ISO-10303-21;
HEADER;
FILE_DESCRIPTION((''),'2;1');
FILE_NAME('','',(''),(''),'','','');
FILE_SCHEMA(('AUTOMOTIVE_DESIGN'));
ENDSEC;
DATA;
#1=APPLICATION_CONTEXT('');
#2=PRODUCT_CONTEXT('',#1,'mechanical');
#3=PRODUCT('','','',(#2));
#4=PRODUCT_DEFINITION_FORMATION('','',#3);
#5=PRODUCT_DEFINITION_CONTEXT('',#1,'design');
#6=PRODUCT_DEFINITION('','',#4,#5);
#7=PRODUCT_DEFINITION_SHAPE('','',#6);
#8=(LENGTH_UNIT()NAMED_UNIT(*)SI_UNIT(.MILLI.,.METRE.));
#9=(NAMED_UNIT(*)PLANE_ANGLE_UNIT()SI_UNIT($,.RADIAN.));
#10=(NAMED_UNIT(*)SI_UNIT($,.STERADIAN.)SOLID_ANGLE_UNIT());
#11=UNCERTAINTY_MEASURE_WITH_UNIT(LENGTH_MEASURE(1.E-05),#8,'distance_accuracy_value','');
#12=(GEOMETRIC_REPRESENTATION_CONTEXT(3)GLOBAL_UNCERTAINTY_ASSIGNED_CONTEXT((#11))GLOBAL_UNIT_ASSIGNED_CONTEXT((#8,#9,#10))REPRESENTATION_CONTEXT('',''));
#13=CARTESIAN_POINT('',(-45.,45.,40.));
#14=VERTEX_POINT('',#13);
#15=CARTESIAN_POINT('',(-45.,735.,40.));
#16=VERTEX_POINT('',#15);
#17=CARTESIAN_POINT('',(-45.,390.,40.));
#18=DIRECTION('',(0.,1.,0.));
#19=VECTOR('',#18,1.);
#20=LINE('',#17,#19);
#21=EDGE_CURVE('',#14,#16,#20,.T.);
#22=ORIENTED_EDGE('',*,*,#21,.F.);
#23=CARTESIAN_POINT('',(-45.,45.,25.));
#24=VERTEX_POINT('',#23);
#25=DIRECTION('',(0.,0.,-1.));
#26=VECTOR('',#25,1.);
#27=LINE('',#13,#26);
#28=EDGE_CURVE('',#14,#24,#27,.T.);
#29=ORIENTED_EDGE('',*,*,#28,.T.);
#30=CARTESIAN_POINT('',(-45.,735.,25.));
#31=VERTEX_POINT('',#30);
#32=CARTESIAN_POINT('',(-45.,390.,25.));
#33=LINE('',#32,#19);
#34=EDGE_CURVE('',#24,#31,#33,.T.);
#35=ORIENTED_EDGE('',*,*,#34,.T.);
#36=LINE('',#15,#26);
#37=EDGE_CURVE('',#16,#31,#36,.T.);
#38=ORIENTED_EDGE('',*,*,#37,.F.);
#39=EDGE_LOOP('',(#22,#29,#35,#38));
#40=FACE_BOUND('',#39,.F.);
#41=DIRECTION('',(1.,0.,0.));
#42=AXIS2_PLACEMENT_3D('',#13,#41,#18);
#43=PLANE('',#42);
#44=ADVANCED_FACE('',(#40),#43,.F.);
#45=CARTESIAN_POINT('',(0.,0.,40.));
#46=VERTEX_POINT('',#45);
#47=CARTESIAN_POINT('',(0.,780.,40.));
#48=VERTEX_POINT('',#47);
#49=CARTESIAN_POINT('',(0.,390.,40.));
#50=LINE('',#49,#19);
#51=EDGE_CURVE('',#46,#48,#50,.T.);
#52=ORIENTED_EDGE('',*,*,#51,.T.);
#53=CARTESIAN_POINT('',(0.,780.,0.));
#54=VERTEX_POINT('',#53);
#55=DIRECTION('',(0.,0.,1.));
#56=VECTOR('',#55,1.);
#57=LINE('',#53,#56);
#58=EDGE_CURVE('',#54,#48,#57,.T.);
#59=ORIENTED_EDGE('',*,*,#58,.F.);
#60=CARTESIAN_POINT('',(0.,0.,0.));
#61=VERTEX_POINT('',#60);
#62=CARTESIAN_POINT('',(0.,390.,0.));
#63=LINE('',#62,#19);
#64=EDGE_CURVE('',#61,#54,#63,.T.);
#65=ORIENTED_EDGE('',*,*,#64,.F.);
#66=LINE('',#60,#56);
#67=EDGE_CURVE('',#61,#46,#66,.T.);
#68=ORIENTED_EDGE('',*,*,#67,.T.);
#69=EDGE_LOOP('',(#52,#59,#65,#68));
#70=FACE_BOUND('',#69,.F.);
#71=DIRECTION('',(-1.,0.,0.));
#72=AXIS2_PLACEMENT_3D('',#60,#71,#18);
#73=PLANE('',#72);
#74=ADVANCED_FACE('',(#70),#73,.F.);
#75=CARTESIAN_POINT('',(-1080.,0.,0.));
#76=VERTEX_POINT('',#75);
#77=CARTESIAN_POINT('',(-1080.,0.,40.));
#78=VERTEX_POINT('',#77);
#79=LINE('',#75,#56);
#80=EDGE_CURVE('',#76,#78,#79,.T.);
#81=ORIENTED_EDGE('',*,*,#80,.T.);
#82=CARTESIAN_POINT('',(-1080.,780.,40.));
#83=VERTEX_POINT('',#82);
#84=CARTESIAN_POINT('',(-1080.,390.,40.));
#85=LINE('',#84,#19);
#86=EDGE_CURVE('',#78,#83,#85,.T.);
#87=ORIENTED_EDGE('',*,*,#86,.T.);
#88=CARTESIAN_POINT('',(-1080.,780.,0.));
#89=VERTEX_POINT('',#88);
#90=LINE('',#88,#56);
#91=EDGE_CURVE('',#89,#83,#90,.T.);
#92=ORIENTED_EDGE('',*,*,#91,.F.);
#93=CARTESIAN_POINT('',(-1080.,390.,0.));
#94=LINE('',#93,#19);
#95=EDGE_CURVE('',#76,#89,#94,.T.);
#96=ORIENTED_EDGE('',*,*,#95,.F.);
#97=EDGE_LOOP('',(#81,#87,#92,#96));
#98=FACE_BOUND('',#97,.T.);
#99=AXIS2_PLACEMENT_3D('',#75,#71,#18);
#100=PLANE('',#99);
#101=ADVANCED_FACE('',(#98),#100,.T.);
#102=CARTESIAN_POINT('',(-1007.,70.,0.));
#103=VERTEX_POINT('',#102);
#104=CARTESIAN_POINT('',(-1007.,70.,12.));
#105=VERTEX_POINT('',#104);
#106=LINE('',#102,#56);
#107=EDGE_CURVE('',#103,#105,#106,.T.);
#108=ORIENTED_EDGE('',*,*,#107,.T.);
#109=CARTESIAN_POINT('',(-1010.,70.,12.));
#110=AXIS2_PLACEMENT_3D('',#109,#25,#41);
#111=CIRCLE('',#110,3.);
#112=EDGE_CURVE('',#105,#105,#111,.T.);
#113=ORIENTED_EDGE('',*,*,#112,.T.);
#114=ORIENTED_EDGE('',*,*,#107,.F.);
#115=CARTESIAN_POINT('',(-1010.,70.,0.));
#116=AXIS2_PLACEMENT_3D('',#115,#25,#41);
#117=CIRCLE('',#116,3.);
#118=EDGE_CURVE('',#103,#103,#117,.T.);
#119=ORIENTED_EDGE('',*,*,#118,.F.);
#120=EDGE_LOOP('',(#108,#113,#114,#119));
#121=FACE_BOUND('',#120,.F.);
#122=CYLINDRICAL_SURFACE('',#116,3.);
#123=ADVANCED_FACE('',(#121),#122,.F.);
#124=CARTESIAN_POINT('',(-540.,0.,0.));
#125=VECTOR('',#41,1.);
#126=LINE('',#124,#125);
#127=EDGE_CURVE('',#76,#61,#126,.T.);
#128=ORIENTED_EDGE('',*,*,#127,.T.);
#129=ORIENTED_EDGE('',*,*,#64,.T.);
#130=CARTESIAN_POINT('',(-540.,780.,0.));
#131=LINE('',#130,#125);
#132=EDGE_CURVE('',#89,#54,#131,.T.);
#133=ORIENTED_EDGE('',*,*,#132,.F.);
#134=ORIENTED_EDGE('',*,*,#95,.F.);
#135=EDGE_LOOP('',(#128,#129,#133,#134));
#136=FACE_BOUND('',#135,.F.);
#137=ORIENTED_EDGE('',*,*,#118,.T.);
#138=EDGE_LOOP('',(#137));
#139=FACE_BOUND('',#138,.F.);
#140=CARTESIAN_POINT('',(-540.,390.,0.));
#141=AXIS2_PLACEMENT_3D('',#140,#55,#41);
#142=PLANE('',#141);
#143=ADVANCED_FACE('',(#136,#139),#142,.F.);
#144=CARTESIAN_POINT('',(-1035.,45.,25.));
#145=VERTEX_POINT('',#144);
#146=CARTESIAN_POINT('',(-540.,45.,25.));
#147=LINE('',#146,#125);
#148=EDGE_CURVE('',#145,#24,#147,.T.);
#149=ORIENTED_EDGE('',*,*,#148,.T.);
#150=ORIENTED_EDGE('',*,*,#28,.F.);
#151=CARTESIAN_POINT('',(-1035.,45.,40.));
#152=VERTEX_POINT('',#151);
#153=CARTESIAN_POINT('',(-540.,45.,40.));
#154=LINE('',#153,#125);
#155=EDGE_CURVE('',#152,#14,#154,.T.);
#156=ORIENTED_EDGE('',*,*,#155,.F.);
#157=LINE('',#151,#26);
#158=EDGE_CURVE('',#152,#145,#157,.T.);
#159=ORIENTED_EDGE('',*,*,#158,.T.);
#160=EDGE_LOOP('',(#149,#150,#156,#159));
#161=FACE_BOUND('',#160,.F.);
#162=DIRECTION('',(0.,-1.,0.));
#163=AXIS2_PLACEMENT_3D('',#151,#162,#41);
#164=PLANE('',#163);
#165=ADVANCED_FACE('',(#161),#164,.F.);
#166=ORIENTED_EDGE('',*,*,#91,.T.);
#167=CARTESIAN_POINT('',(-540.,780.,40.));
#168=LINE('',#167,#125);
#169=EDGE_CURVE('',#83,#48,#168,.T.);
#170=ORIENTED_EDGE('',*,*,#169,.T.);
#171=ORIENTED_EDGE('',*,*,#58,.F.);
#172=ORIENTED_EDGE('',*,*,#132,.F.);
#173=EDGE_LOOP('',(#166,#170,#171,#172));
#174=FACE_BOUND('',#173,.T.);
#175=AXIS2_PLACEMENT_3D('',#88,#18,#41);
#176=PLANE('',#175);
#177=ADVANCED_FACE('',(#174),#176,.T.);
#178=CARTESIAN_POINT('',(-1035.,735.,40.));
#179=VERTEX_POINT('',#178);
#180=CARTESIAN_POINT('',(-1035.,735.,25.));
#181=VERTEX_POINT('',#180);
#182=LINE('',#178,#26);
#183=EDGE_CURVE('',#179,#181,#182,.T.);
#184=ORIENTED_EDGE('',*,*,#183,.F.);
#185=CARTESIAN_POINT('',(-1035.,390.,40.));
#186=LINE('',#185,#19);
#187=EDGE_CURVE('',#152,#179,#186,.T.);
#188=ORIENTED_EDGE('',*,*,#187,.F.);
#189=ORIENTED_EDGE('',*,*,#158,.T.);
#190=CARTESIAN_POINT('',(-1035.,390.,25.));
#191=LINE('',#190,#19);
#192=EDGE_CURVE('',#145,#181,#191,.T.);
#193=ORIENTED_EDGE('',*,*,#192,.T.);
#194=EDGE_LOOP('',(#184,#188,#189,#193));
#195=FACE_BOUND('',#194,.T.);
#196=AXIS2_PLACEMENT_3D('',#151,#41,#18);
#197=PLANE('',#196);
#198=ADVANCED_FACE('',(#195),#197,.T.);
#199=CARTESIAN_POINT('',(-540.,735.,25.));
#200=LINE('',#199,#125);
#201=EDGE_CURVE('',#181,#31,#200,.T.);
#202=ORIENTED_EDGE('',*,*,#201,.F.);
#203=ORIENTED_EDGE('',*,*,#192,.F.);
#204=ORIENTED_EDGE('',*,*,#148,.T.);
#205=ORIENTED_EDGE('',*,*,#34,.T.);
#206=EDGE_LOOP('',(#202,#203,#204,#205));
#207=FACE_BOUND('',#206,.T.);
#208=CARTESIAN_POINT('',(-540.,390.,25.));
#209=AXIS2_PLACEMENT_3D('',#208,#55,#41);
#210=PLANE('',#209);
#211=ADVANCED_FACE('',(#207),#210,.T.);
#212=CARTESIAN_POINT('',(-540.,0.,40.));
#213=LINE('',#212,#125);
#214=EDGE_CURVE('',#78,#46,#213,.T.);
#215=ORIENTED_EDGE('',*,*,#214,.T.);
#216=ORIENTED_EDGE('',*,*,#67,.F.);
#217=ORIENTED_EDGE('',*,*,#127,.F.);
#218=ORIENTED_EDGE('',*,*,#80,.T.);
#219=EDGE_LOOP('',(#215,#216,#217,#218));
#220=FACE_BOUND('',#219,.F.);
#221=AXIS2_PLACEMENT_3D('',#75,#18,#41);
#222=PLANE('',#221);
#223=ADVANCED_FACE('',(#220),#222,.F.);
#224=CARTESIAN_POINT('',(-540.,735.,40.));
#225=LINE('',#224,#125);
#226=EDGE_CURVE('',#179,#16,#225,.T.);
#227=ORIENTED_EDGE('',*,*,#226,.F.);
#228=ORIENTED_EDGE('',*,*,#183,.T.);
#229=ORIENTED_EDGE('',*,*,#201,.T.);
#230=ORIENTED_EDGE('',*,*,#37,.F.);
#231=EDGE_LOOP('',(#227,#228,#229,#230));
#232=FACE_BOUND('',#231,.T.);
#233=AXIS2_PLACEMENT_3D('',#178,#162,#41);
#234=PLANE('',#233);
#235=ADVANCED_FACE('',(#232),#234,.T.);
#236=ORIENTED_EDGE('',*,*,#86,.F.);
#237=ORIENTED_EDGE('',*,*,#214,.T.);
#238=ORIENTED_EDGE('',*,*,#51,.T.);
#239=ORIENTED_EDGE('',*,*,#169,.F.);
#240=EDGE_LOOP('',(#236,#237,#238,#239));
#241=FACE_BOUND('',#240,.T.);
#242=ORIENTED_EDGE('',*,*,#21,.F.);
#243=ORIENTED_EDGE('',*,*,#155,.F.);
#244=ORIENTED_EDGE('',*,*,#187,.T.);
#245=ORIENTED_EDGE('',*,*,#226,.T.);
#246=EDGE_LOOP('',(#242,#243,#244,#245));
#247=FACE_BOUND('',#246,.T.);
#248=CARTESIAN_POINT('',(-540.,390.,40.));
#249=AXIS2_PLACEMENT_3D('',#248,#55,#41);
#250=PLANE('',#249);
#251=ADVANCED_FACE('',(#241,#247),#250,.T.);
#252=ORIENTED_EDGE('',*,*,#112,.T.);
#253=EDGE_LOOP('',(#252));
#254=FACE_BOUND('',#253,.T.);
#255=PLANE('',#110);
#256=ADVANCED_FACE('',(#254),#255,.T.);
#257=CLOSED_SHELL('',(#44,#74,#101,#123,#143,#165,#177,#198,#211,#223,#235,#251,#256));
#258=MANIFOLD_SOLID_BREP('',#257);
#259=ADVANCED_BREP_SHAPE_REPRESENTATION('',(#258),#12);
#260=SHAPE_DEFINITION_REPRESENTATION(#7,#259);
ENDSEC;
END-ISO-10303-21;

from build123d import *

# Parameters (mm, degrees)
F0_W     = 1080
F0_H     = 780
F1_DEPTH = 40
F2_R     = 3
F3_DEPTH = 12
F4_W     = 990
F4_H     = 690
F5_DEPTH = 15


with BuildPart() as f1:
    # F0 (on Top) → F1 (new body)
    with BuildSketch(Plane.XY):
        with Locations((-540, 390)):
            Rectangle(F0_W, F0_H)
    extrude(amount=F1_DEPTH)

    # F2 (on face) → F3 (cut)
    with BuildSketch(Plane(origin=(0, 0, 0), x_dir=(1, 0, 0), z_dir=(0, 0, -1))):
        with Locations((-1010, -70)):
            Circle(F2_R)
    extrude(amount=-F3_DEPTH, mode=Mode.SUBTRACT)

    # F4 (on face) → F5 (cut)
    with BuildSketch(Plane.XY.offset(40)):
        with Locations((-540, 390)):
            Rectangle(F4_W, F4_H)
    extrude(amount=-F5_DEPTH, mode=Mode.SUBTRACT)


solid = f1.part
